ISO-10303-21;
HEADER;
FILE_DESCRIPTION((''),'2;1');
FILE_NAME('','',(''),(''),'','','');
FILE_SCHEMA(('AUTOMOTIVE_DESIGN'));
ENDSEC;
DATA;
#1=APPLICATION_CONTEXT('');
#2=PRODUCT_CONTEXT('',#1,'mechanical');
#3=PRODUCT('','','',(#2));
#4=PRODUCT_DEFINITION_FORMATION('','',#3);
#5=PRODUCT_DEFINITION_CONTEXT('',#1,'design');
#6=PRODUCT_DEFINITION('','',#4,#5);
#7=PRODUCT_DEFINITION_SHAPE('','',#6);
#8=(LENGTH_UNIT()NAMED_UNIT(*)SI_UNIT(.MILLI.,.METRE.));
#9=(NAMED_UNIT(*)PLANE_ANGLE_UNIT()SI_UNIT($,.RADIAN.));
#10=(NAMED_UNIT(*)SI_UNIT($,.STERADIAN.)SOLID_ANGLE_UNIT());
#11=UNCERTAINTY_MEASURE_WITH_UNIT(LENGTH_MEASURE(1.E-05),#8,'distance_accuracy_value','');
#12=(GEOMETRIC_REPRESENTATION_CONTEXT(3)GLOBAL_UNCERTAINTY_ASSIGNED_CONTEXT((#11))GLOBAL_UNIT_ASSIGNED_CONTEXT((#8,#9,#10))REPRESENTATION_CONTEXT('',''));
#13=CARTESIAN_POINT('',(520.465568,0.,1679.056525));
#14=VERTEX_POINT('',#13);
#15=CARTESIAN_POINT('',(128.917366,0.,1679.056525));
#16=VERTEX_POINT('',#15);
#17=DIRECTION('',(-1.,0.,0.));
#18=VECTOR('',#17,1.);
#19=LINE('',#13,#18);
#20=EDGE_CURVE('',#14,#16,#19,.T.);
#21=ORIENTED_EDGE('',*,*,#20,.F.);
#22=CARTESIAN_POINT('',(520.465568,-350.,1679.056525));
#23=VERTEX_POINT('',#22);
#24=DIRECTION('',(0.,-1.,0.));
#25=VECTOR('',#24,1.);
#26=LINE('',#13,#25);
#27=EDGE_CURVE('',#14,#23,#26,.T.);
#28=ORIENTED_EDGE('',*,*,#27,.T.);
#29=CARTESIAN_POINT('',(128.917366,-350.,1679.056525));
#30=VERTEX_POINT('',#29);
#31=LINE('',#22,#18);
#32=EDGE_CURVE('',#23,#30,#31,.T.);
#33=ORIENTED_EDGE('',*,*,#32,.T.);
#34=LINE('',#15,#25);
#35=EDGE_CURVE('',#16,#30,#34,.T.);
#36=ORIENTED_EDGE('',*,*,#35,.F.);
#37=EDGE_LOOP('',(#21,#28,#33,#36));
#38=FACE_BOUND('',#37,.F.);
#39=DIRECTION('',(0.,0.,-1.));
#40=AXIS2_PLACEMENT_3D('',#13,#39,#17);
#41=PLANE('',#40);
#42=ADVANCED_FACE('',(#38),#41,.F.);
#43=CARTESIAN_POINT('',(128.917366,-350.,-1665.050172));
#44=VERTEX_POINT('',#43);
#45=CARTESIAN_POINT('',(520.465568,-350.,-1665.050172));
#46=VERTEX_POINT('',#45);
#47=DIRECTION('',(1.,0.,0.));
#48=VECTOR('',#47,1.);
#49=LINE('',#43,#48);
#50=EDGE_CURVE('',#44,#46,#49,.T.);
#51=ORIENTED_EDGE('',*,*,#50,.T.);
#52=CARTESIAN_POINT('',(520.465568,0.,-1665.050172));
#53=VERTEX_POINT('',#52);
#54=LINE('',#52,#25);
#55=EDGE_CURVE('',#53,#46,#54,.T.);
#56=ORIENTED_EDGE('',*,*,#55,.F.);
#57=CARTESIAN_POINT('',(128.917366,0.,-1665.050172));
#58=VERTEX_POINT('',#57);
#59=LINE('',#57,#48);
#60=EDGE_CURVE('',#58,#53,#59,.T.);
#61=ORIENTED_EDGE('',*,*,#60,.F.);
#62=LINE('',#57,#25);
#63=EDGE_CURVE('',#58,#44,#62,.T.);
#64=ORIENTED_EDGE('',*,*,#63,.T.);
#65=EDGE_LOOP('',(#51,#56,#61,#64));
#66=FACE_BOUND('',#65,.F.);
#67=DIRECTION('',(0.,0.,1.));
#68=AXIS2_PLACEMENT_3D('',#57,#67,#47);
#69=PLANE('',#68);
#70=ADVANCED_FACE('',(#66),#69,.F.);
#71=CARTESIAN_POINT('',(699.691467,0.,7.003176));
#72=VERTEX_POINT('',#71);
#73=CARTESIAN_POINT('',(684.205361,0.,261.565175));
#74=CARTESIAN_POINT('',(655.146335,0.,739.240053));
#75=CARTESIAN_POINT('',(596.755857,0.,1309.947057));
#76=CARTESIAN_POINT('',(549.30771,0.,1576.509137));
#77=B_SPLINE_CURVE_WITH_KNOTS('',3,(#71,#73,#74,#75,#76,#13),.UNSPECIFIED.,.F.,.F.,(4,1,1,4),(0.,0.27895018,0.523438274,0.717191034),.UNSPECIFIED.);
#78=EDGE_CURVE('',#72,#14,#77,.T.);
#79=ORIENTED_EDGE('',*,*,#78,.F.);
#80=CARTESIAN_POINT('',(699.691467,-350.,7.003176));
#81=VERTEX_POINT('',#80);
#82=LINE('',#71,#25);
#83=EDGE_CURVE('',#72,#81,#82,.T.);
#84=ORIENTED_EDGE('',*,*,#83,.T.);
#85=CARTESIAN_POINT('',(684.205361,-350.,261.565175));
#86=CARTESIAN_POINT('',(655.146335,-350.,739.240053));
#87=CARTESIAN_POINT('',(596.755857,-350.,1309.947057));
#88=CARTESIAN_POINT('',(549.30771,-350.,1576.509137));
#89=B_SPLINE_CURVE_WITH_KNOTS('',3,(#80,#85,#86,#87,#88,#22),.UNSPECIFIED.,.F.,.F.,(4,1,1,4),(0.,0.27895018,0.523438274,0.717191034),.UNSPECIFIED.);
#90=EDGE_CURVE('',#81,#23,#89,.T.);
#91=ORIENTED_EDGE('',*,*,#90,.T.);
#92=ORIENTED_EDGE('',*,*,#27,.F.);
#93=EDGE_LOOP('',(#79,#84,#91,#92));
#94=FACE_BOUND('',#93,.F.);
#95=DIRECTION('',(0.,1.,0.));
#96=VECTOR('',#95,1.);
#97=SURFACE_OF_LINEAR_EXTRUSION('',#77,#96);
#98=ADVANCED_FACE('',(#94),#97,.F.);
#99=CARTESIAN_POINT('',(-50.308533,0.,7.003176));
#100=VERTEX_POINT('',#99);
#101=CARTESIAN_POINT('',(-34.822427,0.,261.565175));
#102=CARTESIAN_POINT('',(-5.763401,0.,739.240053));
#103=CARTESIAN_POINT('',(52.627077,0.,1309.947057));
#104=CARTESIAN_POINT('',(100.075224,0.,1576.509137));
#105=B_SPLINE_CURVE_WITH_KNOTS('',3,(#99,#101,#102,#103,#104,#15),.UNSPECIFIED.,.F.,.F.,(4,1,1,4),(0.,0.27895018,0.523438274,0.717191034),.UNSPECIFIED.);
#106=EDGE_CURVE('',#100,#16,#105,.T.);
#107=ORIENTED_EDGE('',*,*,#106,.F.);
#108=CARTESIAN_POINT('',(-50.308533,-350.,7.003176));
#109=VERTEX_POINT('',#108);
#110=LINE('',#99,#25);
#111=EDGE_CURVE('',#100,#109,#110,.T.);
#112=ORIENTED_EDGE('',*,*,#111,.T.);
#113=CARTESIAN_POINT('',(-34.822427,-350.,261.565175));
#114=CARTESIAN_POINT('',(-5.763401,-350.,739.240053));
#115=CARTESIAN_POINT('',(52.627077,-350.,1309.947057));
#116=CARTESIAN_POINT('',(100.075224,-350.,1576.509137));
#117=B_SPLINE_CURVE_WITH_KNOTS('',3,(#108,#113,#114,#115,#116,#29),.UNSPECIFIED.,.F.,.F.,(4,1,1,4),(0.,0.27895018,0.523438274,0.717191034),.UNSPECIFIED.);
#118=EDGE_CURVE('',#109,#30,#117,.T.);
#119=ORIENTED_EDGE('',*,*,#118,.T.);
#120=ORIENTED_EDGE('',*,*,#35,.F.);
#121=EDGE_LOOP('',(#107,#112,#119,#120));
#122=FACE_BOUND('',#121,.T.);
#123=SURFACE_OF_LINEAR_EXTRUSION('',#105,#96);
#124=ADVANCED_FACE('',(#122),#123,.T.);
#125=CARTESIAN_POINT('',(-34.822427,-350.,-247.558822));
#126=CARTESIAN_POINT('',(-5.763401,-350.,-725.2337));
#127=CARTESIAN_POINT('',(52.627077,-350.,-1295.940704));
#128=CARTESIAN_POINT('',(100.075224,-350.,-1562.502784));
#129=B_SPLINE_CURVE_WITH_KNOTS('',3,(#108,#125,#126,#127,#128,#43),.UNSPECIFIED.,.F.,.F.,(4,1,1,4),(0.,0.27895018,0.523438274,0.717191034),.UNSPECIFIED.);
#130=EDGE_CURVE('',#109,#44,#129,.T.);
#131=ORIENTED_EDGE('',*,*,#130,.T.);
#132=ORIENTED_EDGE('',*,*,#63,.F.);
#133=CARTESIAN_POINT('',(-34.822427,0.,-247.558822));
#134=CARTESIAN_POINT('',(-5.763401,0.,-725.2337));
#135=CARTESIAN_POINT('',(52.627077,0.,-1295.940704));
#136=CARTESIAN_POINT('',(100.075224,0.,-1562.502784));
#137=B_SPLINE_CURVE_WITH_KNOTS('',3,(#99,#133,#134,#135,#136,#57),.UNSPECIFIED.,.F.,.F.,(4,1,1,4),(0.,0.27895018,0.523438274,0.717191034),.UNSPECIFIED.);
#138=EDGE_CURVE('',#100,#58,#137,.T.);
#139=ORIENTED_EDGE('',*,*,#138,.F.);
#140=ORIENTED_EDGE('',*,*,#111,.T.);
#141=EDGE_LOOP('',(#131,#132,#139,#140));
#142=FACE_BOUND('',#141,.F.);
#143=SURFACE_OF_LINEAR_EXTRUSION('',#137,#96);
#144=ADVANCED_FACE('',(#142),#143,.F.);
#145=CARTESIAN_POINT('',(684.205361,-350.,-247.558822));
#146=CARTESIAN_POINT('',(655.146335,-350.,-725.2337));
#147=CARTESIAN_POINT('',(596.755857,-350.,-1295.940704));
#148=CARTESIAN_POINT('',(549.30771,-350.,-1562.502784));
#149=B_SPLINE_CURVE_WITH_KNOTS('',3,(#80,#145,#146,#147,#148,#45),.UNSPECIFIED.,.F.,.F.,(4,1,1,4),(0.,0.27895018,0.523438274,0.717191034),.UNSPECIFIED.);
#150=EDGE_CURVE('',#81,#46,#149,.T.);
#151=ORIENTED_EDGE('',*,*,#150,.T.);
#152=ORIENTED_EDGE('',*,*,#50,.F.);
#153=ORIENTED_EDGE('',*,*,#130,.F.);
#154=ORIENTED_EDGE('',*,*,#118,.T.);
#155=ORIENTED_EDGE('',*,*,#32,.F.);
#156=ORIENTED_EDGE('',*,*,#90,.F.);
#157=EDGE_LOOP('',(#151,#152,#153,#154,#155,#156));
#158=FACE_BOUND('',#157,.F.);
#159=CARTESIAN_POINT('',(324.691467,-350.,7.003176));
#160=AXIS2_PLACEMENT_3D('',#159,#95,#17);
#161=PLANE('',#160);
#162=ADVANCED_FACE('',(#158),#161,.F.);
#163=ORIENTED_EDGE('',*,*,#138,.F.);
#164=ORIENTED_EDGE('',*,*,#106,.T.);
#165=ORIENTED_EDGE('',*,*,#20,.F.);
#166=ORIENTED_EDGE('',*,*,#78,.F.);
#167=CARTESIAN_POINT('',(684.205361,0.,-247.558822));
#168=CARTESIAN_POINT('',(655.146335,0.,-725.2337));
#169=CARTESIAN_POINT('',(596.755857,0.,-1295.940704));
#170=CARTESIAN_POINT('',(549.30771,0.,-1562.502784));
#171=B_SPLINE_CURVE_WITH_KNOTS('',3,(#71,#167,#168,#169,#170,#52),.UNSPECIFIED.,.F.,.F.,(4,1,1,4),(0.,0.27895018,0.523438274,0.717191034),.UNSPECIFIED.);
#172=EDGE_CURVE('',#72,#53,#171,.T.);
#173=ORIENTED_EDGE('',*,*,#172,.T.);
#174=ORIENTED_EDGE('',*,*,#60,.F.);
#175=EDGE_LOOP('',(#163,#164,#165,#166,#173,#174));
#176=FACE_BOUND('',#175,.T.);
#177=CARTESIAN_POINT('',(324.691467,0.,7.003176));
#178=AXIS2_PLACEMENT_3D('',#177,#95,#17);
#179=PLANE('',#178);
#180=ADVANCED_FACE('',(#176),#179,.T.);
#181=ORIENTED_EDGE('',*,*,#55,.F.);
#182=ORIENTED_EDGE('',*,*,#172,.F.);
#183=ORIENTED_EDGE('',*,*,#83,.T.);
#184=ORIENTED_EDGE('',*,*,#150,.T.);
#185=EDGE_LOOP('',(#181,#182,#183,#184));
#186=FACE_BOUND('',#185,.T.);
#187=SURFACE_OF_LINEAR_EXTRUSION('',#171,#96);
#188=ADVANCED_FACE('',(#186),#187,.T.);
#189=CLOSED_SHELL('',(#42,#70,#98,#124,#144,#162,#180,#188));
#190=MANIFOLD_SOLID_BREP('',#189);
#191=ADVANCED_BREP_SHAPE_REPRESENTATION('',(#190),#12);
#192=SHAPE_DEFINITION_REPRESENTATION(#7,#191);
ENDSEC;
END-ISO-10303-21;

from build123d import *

# Parameters (mm, degrees)
F1_DEPTH = 350


with BuildPart() as f1:
    # F0 (on Front) → F1 (new body)
    with BuildSketch(Plane.XZ):
        with BuildLine():
            add(Edge.make_bspline(
                [(-50.3085330129, 7.0031764917), (-34.8224270973, 261.5651752578), (-5.7634010584, 739.2400530489), (52.6270769414, 1309.9470569172), (100.0752237011, 1576.5091370704), (128.9173662663, 1679.0565252304)],
                knots=[0, 0, 0, 0, 0.2789501804, 0.5234382742, 0.717191034, 0.717191034, 0.717191034, 0.717191034], degree=3))
            add(Edge.make_bspline(
                [(-50.3085330129, 7.0031764917), (-34.8224270973, -247.5588222744), (-5.7634010584, -725.2337000654), (52.6270769414, -1295.9407039338), (100.0752237011, -1562.502784087), (128.9173662663, -1665.050172247)],
                knots=[0, 0, 0, 0, 0.2789501804, 0.5234382742, 0.717191034, 0.717191034, 0.717191034, 0.717191034], degree=3))
            Line((128.9173662663, -1665.050172247), (520.465567708, -1665.050172247))
            add(Edge.make_bspline(
                [(699.6914669871, 7.0031764917), (684.2053610716, -247.5588222744), (655.1463350327, -725.2337000654), (596.7558570328, -1295.9407039338), (549.3077102732, -1562.502784087), (520.465567708, -1665.050172247)],
                knots=[0, 0, 0, 0, 0.2789501804, 0.5234382742, 0.717191034, 0.717191034, 0.717191034, 0.717191034], degree=3))
            add(Edge.make_bspline(
                [(699.6914669871, 7.0031764917), (684.2053610716, 261.5651752578), (655.1463350327, 739.2400530489), (596.7558570328, 1309.9470569172), (549.3077102732, 1576.5091370704), (520.465567708, 1679.0565252304)],
                knots=[0, 0, 0, 0, 0.2789501804, 0.5234382742, 0.717191034, 0.717191034, 0.717191034, 0.717191034], degree=3))
            Line((520.465567708, 1679.0565252304), (128.9173662663, 1679.0565252304))
        make_face()
    extrude(amount=F1_DEPTH)


solid = f1.part
